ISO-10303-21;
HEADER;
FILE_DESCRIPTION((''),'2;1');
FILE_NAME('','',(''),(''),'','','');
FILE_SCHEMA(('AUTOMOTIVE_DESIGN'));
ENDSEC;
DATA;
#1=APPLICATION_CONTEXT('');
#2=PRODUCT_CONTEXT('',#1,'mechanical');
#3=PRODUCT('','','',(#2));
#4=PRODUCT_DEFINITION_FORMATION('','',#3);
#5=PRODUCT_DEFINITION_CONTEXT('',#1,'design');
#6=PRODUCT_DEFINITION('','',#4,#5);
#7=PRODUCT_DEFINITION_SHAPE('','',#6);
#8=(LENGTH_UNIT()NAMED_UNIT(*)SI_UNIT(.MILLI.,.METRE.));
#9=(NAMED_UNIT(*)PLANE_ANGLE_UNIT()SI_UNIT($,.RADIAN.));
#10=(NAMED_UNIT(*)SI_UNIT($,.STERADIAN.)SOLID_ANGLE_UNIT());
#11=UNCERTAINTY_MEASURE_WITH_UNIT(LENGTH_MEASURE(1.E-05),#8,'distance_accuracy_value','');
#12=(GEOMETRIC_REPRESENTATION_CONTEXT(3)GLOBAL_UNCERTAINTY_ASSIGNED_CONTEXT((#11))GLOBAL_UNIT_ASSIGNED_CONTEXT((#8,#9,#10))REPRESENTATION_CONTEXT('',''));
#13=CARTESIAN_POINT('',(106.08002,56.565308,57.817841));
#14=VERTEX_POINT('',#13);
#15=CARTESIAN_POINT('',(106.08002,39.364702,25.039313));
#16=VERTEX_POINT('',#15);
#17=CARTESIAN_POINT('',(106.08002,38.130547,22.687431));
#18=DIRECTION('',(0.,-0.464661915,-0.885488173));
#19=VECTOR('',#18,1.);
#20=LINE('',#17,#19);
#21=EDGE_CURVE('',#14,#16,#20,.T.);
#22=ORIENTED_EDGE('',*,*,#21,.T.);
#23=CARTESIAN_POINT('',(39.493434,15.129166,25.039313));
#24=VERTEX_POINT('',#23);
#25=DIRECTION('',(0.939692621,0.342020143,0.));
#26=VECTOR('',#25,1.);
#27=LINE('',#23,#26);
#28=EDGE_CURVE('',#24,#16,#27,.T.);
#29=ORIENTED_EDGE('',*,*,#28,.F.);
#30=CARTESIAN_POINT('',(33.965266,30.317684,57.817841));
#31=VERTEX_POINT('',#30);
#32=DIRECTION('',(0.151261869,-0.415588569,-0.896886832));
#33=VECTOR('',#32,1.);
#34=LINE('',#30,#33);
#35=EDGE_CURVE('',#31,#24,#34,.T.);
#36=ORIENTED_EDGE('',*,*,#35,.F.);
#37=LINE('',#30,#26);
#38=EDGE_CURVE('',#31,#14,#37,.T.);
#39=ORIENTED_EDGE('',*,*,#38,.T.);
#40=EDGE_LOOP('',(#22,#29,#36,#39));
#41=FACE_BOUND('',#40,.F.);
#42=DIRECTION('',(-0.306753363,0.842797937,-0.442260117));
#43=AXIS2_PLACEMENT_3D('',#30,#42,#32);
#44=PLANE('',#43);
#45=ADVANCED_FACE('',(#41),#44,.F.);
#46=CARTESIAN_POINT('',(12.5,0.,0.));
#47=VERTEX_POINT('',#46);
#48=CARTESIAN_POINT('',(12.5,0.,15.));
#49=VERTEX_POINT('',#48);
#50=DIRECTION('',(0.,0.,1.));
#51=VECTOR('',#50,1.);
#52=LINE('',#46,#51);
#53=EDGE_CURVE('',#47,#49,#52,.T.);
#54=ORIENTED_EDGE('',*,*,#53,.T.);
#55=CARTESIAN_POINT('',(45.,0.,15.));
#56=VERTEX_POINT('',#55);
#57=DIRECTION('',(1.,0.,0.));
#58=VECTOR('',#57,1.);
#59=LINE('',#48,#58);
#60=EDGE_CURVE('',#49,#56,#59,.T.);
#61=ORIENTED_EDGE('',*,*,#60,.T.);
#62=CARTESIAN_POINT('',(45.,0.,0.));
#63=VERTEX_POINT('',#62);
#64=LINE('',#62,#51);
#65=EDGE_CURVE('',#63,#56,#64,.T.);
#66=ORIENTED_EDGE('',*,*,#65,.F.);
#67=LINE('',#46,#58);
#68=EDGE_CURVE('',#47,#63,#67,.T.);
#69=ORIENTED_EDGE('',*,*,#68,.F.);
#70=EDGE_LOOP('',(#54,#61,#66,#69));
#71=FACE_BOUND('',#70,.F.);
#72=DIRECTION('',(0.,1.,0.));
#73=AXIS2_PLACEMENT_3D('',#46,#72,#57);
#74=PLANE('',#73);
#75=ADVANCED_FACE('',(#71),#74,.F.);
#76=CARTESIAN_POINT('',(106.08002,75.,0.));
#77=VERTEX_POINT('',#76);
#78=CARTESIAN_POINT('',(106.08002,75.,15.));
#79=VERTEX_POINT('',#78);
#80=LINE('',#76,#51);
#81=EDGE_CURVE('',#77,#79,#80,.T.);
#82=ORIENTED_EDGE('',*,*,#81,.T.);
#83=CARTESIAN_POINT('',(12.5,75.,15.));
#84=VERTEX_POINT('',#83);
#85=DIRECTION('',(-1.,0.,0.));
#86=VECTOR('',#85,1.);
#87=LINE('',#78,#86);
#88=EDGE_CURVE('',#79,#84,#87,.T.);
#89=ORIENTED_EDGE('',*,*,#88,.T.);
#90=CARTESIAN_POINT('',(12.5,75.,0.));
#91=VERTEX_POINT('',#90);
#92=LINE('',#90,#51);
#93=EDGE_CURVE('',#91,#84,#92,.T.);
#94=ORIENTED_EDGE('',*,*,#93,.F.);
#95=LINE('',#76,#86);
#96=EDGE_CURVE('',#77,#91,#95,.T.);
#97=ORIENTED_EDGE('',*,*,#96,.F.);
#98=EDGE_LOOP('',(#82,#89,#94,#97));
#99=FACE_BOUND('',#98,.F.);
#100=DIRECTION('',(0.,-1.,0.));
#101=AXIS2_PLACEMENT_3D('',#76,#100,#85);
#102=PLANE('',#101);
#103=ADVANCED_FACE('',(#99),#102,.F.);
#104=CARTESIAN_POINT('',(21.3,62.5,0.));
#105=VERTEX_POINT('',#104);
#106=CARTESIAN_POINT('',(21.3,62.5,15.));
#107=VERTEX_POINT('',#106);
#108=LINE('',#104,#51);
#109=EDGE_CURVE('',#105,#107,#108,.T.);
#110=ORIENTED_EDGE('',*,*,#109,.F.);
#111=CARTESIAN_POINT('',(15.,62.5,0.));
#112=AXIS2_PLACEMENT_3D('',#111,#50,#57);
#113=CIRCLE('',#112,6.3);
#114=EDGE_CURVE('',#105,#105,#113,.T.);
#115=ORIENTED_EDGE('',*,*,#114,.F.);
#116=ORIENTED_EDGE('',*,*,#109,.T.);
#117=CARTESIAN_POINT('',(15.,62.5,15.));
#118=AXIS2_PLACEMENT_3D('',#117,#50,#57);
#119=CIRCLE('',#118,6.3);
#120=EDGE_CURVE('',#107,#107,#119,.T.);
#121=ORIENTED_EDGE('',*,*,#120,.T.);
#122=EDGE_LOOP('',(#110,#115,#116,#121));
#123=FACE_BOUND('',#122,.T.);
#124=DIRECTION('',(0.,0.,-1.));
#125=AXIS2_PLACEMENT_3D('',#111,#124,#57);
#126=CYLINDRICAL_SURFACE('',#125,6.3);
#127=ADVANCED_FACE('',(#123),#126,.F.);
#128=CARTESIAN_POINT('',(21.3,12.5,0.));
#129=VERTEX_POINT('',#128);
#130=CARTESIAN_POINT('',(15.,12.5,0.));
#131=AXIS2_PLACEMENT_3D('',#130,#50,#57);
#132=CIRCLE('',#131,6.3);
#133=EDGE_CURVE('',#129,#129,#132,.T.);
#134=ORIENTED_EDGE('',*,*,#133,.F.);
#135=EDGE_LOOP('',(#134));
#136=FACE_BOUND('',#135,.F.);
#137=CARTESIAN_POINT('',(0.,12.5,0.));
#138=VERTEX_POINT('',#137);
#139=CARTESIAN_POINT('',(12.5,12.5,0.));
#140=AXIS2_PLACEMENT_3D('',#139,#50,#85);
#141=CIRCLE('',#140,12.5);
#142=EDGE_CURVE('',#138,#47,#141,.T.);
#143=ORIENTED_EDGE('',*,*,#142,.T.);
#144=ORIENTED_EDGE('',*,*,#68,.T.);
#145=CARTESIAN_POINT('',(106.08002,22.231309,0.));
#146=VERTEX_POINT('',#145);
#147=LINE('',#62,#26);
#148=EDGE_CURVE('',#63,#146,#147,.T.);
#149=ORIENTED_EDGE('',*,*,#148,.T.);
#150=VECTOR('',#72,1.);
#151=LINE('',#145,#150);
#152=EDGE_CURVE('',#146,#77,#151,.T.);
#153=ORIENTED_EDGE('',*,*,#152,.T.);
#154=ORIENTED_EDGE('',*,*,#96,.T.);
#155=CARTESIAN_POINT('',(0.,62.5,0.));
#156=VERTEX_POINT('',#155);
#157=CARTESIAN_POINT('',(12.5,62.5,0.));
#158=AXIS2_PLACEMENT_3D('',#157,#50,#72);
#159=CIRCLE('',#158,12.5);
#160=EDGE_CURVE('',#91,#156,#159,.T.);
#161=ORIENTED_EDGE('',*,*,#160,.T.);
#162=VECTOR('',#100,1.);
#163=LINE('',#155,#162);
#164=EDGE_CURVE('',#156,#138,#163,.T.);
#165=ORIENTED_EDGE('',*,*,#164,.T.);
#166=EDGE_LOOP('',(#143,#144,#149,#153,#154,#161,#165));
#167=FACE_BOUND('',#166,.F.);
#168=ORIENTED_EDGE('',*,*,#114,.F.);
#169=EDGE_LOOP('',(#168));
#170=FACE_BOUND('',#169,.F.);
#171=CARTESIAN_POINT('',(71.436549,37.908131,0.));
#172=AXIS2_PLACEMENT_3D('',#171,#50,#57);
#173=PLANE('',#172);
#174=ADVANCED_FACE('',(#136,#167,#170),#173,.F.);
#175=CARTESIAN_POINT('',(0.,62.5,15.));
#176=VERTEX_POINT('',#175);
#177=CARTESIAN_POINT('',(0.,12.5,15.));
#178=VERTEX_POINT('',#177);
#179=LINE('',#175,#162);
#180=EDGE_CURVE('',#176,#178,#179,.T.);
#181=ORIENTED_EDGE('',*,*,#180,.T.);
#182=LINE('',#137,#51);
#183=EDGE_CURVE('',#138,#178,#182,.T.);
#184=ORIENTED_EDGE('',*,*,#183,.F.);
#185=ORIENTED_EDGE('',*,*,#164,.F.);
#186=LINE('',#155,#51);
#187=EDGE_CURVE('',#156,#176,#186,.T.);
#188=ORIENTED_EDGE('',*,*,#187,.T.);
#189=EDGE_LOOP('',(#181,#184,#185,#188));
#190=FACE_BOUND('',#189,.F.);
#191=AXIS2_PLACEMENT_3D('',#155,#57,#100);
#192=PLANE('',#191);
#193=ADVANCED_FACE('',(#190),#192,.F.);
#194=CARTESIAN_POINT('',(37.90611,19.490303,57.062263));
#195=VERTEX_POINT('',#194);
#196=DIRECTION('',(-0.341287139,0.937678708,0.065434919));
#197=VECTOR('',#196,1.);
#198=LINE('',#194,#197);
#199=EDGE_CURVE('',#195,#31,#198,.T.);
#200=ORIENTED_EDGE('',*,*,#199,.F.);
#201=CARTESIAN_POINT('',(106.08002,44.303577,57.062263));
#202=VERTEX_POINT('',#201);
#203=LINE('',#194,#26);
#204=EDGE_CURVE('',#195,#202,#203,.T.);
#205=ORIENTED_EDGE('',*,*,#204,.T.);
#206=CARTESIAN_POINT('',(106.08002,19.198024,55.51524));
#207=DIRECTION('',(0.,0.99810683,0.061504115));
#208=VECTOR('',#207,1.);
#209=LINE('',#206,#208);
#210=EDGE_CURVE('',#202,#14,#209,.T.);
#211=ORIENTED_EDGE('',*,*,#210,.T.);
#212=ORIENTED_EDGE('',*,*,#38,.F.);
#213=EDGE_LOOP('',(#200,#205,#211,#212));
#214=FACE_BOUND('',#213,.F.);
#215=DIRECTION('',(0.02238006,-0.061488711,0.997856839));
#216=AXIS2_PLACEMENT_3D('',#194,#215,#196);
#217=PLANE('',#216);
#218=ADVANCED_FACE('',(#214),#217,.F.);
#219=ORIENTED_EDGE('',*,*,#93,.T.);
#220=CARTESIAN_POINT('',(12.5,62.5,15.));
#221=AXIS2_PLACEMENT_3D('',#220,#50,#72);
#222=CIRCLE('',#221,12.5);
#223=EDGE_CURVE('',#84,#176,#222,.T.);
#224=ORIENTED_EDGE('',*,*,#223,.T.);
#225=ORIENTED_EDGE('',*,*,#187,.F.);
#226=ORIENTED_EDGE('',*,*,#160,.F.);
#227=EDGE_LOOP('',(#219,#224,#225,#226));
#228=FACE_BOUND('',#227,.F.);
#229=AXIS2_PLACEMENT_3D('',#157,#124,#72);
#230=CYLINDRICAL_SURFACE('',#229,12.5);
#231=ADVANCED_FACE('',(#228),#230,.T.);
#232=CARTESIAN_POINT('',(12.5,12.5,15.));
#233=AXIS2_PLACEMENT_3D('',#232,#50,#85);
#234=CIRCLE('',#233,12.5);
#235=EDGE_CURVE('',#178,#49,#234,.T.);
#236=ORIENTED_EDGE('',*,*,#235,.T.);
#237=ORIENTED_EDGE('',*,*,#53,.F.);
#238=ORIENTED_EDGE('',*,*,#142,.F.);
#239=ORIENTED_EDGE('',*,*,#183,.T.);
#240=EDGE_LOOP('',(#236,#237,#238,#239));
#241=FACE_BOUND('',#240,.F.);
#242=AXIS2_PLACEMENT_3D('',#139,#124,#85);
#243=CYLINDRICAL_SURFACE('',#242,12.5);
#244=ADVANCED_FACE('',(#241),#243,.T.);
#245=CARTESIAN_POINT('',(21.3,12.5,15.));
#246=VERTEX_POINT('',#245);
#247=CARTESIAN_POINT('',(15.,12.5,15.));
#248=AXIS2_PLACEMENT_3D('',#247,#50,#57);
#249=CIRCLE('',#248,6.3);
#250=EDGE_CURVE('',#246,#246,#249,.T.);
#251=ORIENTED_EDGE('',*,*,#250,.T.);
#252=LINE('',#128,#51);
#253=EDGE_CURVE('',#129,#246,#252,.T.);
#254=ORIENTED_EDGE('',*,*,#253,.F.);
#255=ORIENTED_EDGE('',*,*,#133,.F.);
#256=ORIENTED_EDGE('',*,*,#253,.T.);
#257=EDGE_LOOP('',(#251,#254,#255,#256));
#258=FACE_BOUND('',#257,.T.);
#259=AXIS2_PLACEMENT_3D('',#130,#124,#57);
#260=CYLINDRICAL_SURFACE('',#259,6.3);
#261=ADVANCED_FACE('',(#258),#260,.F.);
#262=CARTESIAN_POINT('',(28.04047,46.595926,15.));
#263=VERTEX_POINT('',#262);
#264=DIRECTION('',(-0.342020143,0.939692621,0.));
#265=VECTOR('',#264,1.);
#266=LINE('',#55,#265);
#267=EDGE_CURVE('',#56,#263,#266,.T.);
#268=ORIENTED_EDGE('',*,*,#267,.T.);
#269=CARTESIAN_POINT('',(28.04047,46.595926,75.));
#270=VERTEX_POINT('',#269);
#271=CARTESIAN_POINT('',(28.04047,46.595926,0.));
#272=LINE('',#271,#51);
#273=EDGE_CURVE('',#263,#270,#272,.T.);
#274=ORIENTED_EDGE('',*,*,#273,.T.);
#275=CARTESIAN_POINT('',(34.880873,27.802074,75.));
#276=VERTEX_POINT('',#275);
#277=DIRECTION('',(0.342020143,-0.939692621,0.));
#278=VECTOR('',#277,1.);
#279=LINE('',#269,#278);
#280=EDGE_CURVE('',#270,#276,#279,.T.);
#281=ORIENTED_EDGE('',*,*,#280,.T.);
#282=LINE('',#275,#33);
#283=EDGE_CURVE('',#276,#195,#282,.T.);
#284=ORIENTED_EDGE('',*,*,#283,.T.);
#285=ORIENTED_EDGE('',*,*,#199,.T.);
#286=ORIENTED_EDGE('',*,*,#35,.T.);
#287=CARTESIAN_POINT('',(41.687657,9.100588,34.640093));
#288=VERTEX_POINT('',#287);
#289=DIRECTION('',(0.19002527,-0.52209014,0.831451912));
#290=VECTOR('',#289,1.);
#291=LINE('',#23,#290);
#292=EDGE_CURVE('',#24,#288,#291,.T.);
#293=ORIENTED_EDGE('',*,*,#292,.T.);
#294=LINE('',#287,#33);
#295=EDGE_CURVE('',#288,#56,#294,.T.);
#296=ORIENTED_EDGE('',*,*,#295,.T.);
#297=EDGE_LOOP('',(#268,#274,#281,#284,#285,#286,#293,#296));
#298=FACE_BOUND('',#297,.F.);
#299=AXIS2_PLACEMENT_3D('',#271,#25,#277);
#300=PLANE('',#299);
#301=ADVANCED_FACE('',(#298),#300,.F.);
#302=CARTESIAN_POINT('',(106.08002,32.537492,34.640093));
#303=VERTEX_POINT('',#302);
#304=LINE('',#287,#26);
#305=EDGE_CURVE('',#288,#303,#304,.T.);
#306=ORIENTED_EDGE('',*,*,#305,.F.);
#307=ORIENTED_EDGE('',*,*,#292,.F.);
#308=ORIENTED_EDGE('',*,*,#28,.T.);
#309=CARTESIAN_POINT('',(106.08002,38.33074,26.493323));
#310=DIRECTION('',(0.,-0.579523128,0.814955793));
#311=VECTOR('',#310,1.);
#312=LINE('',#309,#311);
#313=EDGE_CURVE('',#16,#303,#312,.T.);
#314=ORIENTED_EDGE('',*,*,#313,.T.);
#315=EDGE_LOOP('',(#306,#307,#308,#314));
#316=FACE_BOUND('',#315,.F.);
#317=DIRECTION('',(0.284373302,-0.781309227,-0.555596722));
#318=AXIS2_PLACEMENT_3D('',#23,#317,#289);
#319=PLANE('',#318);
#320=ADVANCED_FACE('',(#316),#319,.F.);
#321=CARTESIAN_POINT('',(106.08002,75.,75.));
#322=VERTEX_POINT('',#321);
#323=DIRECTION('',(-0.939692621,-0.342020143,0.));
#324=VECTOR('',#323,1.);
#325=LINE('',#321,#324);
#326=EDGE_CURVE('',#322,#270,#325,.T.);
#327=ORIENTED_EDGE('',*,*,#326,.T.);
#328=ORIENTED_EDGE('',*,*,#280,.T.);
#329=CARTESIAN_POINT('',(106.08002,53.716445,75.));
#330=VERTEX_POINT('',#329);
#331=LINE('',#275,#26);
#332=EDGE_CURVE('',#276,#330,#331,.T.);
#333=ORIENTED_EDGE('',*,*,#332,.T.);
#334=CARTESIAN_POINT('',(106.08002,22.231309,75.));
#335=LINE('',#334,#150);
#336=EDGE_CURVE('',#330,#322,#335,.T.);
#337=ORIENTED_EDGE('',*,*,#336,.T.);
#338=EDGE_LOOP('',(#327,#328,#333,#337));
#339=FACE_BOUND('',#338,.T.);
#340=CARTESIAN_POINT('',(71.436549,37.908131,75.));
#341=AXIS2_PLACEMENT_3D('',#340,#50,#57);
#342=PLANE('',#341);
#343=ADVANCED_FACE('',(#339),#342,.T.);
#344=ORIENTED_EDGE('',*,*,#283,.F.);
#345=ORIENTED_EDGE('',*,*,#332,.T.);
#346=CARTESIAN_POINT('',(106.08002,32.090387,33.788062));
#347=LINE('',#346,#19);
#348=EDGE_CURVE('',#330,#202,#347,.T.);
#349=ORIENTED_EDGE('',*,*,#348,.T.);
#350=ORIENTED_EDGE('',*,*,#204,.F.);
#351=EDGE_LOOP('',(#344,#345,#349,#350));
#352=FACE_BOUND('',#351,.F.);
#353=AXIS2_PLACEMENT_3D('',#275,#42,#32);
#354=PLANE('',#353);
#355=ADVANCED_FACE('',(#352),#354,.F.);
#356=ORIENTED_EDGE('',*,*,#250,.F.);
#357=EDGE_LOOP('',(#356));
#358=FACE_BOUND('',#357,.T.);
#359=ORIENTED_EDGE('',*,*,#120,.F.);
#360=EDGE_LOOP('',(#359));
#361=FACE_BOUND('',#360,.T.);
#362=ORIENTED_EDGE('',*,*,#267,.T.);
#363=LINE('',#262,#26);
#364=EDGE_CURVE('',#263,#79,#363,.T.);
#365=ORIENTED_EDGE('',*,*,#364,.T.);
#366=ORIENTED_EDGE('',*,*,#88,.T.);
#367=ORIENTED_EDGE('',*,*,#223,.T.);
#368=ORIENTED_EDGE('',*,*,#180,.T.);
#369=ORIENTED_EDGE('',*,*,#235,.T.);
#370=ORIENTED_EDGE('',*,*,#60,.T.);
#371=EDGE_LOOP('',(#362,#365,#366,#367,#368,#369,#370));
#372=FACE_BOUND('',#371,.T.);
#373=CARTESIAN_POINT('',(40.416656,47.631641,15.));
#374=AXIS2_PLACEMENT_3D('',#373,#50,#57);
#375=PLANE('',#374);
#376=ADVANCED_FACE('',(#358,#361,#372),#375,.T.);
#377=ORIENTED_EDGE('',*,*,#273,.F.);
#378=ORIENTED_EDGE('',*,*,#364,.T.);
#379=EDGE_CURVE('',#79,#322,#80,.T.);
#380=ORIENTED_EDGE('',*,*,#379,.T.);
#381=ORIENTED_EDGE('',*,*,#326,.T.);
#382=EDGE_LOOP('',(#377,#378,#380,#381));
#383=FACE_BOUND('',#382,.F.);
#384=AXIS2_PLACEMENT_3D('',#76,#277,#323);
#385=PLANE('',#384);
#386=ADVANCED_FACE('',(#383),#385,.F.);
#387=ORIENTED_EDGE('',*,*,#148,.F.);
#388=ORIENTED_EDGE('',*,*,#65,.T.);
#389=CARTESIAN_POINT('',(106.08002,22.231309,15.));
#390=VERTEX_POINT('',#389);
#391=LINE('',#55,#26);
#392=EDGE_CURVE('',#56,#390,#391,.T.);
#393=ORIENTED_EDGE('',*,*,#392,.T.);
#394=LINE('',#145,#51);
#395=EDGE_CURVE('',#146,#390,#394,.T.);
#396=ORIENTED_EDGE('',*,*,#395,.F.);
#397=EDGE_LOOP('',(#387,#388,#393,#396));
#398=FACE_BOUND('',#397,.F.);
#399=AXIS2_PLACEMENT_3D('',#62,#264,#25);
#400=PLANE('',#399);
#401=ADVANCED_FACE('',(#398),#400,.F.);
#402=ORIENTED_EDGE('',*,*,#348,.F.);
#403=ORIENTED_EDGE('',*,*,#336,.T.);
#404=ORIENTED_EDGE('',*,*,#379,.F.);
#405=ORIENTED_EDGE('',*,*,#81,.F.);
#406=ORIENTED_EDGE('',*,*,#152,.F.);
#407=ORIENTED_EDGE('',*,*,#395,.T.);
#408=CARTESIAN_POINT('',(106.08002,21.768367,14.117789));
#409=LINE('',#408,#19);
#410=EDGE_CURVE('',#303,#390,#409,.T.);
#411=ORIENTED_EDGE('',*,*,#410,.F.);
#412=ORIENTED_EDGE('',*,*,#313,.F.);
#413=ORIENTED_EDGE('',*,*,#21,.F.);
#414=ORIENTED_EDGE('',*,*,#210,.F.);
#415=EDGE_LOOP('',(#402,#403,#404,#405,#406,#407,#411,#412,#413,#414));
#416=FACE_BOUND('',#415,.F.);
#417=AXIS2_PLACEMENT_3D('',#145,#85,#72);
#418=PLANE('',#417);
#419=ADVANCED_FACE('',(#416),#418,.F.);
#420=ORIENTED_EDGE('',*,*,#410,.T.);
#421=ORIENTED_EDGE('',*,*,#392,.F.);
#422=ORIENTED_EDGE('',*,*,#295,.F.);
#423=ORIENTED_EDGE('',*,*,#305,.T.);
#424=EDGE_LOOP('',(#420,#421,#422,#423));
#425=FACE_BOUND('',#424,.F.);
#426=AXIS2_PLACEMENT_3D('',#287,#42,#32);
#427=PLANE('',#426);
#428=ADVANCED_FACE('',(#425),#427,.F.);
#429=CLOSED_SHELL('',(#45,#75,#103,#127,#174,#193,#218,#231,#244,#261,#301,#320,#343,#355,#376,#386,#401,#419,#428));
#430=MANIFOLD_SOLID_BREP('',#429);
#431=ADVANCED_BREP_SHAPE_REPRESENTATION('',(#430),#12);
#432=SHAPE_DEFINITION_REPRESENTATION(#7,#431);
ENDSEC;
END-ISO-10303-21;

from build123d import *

# Parameters (mm, degrees)
F0_R     = 6.3
F1_DEPTH = 15
F2_DEPTH = 75
F4_DEPTH = 83.0489551508


with BuildPart() as f1:
    # F0 (on Top) → F1 (new body)
    with BuildSketch(Plane.XY):
        with BuildLine():
            Line((0, 62.5), (0, 12.5))
            ThreePointArc((0, 12.5), (3.6611652352, 3.6611652352), (12.5, 0))
            Line((12.5, 0), (45, 0))
            Line((45, 0), (28.0404697245, 46.5959264764))
            Line((28.0404697245, 46.5959264764), (106.0800203511, 75))
            Line((106.0800203511, 75), (12.5, 75))
            ThreePointArc((12.5, 75), (3.6611652352, 71.3388347648), (0, 62.5))
        make_face()
        with Locations((15, 12.5)):
            Circle(F0_R, mode=Mode.SUBTRACT)
        with Locations((15, 62.5)):
            Circle(F0_R, mode=Mode.SUBTRACT)
    extrude(amount=F1_DEPTH)

    # F0 (on Top) → F2 (join)
    with BuildSketch(Plane.XY):
        Polygon((28.0404697245, 46.5959264764), (45, 0), (106.0800203511, 22.2313093162), (106.0800203511, 75), align=None)
    extrude(amount=F2_DEPTH)

    # F3 (on face) → F4 (cut, through all)
    with BuildSketch(Plane(origin=(39.7359999702, 14.4627212179, 0), x_dir=(0.3420201433, -0.9396926208, 0), z_dir=(-0.9396926208, -0.3420201433, 0))):
        Polygon((-0.7092158589, 25.0393128685), (5.70626248, 34.6400925773), (-5.3502404503, 57.0622633677), (-16.8724987437, 57.8178407322), align=None)
        Polygon((5.70626248, 34.6400925773), (15.3909064497, 15), (15.3909064497, 75), (-14.1954427945, 75), (-5.3502404503, 57.0622633677), align=None)
    extrude(amount=-F4_DEPTH, mode=Mode.SUBTRACT)


solid = f1.part
